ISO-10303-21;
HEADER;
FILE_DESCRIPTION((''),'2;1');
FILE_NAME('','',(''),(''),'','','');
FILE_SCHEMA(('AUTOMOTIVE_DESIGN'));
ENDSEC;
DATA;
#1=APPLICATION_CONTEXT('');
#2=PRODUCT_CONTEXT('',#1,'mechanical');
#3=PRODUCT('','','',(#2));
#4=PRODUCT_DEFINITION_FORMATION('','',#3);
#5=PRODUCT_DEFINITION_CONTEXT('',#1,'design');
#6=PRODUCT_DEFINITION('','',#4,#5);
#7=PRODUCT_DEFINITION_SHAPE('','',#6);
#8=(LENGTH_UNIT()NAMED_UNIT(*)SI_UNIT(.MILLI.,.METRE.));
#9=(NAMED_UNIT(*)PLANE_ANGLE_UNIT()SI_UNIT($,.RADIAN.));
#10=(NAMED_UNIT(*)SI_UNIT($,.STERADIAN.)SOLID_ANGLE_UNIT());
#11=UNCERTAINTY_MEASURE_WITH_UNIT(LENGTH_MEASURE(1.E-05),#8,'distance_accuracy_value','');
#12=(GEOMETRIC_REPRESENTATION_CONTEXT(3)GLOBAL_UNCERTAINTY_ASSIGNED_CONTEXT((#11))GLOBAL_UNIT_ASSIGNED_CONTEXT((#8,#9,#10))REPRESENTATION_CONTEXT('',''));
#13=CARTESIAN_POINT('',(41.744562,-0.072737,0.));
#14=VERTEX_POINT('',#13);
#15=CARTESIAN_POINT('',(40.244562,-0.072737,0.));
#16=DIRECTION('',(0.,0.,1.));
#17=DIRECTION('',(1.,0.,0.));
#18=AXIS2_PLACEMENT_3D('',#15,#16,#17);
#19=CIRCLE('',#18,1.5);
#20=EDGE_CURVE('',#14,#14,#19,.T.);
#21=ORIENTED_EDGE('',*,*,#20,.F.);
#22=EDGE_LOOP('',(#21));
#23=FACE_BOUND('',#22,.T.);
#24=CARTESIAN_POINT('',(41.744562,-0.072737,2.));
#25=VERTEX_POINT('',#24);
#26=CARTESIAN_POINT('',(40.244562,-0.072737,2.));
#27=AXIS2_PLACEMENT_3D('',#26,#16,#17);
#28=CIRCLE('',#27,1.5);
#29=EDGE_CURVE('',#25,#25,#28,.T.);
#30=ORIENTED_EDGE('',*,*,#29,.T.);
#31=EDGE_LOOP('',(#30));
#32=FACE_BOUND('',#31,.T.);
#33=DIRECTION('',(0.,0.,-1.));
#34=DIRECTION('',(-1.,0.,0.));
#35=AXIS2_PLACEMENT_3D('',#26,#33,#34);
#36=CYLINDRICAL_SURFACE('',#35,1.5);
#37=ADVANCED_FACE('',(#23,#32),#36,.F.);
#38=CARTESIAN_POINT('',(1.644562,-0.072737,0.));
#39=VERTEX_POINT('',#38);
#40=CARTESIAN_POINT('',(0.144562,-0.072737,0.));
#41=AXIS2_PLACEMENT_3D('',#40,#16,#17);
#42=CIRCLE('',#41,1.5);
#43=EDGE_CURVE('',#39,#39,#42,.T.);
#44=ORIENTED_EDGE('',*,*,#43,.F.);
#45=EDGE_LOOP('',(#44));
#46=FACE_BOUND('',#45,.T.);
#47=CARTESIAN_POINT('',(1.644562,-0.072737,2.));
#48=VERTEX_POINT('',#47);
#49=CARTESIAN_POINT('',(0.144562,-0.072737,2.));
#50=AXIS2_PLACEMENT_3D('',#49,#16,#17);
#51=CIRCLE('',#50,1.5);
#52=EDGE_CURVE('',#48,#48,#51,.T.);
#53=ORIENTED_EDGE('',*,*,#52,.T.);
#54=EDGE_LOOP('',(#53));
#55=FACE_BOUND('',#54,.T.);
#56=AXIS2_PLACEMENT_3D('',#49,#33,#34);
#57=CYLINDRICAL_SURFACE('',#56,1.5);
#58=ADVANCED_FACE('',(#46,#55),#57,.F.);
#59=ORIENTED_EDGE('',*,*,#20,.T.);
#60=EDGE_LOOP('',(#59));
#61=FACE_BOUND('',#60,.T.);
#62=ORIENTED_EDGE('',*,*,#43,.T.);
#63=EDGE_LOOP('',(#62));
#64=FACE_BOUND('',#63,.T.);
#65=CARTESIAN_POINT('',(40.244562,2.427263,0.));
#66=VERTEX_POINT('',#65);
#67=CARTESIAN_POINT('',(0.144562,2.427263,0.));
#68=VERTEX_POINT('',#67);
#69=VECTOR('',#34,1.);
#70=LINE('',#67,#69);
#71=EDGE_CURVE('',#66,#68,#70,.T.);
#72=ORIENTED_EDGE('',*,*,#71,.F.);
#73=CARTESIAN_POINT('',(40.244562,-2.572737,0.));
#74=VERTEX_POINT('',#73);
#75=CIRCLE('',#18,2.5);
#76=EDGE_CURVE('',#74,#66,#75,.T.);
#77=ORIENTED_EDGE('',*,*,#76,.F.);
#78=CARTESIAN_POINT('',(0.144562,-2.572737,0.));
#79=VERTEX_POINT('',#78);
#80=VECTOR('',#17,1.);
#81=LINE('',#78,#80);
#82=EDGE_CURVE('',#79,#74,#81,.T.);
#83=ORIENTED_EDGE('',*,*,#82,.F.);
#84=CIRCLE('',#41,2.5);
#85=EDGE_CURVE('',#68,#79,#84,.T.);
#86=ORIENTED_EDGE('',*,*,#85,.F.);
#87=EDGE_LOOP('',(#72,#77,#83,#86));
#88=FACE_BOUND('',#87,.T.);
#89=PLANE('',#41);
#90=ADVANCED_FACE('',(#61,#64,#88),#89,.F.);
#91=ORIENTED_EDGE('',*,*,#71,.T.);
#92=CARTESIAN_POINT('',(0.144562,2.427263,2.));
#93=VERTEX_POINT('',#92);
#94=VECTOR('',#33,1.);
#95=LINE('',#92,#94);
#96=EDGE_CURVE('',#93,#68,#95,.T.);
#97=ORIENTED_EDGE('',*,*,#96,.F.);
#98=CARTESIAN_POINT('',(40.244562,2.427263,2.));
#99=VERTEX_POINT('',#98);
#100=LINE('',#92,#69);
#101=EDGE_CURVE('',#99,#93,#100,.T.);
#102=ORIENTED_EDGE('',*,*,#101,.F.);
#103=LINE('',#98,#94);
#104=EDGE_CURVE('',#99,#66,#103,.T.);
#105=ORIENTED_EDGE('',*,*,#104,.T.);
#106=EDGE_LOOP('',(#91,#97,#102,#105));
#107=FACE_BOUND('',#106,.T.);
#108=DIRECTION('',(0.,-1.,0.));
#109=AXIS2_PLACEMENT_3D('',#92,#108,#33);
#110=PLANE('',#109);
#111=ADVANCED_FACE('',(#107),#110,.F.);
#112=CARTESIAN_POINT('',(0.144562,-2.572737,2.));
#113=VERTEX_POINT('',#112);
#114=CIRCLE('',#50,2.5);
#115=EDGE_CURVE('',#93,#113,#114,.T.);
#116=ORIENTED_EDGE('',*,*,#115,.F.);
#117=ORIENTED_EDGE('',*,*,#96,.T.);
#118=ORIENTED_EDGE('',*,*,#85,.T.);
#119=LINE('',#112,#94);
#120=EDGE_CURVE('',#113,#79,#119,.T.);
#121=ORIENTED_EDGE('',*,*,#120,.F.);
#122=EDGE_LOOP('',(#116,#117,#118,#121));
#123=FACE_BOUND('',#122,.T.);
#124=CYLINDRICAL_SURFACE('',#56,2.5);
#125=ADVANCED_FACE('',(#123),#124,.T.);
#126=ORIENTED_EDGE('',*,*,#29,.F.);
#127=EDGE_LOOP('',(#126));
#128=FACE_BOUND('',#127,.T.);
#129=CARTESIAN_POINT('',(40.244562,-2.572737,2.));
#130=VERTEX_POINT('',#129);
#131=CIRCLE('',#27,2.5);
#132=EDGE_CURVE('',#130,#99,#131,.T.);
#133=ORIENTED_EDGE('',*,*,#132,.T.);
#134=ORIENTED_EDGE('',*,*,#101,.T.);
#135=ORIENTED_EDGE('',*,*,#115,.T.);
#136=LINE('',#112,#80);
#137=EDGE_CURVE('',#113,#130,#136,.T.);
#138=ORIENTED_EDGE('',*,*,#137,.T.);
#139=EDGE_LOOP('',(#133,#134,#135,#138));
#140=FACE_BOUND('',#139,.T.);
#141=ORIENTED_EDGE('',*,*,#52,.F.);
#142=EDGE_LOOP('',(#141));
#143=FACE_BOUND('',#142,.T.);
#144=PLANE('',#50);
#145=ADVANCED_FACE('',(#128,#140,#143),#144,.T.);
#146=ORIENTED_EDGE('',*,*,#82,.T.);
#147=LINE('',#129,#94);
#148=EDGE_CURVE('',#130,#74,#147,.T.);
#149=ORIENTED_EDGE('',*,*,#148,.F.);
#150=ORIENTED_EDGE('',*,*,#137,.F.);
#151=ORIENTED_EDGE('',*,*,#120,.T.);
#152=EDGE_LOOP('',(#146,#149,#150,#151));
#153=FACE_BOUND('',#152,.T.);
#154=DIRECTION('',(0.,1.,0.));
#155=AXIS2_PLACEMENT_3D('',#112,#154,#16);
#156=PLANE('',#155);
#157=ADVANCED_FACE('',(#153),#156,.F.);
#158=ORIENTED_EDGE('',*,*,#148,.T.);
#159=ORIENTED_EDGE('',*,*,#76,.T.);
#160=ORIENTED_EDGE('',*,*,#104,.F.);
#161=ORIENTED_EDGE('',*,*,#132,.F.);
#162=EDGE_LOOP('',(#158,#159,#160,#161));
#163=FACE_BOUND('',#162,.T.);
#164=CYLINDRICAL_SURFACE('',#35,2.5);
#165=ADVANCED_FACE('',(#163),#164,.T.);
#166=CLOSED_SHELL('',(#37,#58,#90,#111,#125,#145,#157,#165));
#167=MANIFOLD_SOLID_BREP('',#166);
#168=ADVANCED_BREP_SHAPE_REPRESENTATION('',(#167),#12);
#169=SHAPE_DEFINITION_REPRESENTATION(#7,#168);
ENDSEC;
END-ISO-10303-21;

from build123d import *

# Parameters (mm, degrees)
SKETCH1_R           = 1.5
BOSS_EXTRUDE1_DEPTH = 2


with BuildPart() as part:
    # Sketch1 → Boss-Extrude1 (new body)
    with BuildSketch(Plane.XY):
        with BuildLine():
            Line((0.144561732, 2.42726269), (40.244561732, 2.42726269))
            ThreePointArc((40.244561732, 2.42726269), (42.744561732, -0.07273731), (40.244561732, -2.57273731))
            Line((40.244561732, -2.57273731), (0.144561732, -2.57273731))
            ThreePointArc((0.144561732, -2.57273731), (-2.355438268, -0.07273731), (0.144561732, 2.42726269))
        make_face()
        with Locations((0.144561732, -0.07273731)):
            Circle(SKETCH1_R, mode=Mode.SUBTRACT)
        with Locations((40.244561732, -0.07273731)):
            Circle(SKETCH1_R, mode=Mode.SUBTRACT)
    extrude(amount=BOSS_EXTRUDE1_DEPTH)


solid = part.part
